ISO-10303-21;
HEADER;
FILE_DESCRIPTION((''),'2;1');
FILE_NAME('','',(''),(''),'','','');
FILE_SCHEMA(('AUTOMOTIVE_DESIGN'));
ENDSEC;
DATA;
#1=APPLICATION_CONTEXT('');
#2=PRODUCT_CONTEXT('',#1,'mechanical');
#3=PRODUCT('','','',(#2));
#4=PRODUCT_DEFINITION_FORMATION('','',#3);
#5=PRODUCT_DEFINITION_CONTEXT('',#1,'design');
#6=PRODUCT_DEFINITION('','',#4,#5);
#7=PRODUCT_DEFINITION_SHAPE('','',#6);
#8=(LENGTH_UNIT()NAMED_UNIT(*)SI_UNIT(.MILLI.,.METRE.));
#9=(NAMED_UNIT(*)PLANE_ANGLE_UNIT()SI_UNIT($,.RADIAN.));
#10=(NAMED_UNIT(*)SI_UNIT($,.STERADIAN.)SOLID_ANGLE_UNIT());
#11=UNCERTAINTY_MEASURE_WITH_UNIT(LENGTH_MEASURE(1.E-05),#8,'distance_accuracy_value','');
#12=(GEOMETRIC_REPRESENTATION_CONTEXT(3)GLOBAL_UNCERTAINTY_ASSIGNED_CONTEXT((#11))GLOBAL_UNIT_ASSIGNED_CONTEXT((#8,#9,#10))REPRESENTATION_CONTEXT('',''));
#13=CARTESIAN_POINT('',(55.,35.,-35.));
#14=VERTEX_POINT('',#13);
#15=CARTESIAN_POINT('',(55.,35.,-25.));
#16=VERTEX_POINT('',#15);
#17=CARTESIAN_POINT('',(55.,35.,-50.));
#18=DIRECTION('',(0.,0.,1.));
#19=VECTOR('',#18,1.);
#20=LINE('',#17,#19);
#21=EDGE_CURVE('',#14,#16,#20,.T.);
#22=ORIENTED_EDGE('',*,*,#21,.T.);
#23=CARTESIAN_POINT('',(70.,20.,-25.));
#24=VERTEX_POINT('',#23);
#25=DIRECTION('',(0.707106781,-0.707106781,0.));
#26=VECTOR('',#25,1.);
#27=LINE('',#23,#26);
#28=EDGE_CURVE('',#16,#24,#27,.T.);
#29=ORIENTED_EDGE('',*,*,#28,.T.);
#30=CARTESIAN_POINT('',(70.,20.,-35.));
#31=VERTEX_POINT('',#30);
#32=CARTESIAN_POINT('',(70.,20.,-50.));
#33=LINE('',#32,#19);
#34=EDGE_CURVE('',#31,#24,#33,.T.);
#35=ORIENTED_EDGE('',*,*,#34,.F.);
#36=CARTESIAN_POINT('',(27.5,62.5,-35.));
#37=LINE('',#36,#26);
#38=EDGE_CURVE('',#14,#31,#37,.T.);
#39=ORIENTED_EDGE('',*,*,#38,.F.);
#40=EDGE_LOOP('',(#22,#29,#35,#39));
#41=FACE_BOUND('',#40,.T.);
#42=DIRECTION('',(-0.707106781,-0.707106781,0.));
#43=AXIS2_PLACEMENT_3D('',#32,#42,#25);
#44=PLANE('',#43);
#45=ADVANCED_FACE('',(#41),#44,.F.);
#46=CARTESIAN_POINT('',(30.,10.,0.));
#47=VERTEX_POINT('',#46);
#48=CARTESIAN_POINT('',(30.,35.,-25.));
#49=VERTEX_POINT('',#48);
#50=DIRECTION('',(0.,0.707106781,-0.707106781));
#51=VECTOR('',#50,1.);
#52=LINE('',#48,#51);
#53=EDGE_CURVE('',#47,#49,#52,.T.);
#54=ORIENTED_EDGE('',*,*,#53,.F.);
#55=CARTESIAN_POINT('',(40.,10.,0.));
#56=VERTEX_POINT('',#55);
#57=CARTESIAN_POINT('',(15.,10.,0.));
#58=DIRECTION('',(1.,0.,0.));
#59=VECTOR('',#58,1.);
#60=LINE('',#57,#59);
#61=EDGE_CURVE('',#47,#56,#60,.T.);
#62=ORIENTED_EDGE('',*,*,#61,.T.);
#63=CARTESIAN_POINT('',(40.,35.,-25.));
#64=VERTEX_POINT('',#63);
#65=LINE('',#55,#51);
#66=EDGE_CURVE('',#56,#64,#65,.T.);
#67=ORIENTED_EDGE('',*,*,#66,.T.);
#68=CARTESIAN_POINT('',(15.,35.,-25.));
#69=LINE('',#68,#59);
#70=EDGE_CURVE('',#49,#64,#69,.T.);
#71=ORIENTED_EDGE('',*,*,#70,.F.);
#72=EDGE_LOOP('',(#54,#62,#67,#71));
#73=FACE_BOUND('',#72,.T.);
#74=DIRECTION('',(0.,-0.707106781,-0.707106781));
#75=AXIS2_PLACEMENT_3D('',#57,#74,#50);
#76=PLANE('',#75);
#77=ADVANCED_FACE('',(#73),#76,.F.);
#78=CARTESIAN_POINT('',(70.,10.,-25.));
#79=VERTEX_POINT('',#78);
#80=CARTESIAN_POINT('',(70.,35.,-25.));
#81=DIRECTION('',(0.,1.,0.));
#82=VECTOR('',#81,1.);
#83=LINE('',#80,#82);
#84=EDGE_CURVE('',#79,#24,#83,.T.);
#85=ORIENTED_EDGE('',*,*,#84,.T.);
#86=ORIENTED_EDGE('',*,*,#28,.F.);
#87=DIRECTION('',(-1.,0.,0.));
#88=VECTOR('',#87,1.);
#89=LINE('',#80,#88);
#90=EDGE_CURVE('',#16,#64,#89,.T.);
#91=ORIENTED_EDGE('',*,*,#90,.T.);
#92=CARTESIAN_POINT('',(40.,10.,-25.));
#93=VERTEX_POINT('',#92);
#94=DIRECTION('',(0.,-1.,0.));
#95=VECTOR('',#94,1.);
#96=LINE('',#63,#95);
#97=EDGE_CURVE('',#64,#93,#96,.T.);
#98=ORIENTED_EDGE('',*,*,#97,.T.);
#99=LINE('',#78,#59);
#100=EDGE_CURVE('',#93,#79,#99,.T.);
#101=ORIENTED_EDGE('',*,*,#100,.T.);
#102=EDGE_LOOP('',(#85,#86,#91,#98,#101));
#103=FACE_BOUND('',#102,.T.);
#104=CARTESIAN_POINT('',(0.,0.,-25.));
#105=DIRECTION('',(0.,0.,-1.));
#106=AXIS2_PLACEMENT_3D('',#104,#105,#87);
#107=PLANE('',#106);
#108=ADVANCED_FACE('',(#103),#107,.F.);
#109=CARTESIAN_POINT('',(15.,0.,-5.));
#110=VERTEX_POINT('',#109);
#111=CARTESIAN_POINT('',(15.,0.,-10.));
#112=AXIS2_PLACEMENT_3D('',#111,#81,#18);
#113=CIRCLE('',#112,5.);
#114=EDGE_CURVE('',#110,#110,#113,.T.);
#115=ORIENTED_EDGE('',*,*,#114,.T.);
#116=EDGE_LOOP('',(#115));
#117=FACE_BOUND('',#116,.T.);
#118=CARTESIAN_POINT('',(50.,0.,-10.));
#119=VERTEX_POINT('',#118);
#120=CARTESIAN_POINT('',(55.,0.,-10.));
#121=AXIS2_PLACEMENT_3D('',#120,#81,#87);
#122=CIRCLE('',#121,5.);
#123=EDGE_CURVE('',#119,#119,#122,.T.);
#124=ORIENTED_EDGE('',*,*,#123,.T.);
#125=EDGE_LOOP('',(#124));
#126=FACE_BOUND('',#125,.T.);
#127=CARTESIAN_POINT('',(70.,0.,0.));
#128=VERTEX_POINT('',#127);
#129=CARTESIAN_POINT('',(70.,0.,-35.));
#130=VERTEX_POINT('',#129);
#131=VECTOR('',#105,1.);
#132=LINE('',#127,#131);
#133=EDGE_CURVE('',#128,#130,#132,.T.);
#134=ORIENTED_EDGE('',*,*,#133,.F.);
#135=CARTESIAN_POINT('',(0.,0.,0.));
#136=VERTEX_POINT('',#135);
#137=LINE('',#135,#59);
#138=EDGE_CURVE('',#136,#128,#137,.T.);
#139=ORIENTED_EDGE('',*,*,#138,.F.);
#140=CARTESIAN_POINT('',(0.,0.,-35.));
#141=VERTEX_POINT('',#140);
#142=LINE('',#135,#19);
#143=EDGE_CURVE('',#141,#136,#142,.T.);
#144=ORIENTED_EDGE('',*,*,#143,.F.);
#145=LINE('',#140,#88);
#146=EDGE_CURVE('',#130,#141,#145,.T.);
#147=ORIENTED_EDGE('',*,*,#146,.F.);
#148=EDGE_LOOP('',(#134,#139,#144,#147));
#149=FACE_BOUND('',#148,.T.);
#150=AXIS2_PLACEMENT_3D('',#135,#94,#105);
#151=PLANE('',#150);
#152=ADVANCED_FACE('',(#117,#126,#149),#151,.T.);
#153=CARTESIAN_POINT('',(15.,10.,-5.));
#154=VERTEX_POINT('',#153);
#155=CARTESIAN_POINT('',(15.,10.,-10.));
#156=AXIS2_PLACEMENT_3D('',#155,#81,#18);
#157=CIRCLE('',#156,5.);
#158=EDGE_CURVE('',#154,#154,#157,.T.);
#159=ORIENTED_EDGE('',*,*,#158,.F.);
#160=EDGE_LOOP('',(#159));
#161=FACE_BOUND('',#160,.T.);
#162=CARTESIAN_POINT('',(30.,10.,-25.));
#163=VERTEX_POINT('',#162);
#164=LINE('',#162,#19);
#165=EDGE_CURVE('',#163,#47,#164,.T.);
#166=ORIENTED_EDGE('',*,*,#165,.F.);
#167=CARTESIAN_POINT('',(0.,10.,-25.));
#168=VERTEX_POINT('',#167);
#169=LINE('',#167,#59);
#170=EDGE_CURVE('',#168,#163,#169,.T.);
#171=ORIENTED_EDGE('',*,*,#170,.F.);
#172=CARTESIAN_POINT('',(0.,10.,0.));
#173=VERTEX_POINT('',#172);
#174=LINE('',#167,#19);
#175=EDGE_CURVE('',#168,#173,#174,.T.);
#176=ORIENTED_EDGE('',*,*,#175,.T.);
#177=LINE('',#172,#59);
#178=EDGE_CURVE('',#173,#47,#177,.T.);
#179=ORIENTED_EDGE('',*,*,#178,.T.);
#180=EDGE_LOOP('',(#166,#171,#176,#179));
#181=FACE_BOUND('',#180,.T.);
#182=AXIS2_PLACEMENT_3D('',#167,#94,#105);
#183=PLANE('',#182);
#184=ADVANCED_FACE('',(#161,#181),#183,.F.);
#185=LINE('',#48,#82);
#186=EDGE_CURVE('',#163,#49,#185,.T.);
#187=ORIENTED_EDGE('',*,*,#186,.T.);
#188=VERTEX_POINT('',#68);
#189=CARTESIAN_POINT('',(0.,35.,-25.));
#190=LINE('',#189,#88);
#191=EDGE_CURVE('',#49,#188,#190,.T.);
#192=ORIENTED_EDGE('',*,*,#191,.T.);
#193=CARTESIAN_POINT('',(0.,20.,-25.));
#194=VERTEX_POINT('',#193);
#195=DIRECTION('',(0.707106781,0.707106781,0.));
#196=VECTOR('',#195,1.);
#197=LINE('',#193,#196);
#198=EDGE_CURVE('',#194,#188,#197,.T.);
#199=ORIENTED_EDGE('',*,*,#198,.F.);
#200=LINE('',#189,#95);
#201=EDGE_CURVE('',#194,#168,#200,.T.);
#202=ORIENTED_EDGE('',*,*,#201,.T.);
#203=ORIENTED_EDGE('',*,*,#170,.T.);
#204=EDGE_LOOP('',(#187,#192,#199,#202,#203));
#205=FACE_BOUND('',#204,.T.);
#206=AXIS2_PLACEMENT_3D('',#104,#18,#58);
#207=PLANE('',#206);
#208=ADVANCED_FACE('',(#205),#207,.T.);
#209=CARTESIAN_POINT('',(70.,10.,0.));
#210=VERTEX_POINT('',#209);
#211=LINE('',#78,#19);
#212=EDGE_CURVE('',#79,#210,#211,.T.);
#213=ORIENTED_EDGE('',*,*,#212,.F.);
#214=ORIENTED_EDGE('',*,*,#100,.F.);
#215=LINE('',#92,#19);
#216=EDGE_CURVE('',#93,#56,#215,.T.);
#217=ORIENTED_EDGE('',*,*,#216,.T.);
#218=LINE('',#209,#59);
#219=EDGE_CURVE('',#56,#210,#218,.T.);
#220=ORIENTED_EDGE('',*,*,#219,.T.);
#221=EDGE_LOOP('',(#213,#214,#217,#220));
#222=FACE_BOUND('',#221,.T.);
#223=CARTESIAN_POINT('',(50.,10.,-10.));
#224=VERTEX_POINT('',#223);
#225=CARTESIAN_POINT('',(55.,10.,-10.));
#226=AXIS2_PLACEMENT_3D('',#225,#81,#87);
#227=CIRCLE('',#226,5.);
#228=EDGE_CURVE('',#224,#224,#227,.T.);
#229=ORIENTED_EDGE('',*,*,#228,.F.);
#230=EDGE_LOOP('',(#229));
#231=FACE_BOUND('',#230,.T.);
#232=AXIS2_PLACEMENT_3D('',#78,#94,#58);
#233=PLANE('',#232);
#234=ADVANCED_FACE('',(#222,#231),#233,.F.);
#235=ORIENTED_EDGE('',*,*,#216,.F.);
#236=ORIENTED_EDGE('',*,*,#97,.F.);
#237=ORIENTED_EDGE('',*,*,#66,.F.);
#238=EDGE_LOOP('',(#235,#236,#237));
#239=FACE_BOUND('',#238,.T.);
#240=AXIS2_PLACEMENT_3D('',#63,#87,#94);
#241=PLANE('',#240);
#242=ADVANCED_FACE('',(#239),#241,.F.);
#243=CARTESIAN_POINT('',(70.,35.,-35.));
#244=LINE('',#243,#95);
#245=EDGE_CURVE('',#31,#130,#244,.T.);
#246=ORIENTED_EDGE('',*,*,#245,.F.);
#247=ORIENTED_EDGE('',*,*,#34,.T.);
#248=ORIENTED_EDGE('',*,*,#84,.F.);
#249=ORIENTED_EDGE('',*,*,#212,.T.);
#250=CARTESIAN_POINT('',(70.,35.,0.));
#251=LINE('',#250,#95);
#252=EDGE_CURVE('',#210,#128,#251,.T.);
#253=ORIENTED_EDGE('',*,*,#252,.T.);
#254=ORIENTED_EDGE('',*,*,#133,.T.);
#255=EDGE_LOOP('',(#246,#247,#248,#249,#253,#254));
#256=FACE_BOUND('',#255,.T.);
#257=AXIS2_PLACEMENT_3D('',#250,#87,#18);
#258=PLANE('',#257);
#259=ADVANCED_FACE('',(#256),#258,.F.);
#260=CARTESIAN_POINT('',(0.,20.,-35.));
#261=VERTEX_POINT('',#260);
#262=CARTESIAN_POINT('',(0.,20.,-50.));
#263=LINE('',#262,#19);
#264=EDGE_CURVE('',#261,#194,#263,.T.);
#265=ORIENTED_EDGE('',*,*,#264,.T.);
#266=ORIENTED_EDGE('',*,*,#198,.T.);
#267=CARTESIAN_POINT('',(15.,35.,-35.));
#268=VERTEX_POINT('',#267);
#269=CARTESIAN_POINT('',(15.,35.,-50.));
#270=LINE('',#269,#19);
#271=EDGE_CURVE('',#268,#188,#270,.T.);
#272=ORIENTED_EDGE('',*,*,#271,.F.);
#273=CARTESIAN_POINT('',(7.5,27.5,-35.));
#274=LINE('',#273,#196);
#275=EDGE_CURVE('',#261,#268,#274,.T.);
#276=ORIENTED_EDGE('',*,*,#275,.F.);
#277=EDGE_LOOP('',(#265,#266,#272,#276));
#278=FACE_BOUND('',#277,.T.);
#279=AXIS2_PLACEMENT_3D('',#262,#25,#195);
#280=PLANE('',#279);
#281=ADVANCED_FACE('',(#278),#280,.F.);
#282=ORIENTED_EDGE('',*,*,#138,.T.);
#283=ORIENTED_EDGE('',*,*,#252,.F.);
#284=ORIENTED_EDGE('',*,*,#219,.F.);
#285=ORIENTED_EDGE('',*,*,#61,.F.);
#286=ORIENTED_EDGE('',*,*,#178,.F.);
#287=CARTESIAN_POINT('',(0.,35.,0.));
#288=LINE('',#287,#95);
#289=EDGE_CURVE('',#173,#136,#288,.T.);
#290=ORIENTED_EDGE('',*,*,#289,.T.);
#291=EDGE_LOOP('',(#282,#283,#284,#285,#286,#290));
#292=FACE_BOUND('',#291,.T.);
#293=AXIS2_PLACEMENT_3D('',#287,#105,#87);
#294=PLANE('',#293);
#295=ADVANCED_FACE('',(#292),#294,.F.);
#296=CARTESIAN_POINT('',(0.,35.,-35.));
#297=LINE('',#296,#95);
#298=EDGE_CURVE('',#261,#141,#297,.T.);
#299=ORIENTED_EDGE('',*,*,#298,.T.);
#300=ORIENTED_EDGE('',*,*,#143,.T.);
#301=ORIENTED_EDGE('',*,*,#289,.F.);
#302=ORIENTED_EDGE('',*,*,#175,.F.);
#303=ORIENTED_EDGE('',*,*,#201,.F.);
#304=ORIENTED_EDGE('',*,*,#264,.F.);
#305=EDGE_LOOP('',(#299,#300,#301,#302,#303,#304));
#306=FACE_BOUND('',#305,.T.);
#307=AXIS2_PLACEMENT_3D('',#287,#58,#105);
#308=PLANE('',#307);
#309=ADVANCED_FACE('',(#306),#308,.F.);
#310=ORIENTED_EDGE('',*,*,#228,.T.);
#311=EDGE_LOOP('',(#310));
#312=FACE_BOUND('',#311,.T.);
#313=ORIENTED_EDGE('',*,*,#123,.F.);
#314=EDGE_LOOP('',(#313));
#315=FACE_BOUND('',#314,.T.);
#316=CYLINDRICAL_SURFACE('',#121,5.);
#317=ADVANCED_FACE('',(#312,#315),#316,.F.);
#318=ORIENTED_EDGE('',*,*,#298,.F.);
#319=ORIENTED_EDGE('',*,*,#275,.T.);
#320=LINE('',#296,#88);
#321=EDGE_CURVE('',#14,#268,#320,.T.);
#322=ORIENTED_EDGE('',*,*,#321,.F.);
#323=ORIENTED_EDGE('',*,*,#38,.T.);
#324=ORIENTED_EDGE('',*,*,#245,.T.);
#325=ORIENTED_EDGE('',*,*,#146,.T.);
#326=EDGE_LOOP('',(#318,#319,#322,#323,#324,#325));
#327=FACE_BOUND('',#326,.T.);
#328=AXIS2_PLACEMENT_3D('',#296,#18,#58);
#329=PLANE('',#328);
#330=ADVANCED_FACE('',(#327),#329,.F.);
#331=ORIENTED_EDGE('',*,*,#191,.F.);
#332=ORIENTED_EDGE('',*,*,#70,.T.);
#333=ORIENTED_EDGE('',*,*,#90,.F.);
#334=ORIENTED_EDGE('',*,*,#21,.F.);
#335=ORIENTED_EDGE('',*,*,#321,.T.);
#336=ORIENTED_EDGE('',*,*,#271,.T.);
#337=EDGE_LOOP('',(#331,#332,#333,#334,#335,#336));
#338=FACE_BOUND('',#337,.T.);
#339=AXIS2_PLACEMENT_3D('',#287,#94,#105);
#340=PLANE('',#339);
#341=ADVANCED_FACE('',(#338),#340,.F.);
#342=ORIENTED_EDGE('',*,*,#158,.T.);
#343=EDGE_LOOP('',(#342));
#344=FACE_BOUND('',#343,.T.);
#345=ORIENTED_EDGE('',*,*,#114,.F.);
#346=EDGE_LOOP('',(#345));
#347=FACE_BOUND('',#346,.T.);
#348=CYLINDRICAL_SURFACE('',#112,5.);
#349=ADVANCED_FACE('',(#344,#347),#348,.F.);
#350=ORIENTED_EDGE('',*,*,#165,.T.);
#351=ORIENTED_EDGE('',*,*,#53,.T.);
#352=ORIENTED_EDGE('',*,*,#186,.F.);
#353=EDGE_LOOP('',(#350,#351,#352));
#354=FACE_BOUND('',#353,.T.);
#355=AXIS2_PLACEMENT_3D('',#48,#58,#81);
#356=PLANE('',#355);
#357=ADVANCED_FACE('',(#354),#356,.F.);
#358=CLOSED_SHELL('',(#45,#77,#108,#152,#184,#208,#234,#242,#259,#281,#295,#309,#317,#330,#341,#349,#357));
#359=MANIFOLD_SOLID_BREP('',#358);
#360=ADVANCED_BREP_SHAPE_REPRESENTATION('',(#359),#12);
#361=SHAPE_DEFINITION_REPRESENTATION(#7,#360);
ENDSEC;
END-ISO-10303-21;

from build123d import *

# Parameters (mm, degrees)
SKETCH2_W           = 70
SKETCH2_H           = 35
BOSS_EXTRUDE1_DEPTH = 35
SKETCH3_W           = 30
SKETCH3_H           = 25
CUT_EXTRUDE1_DEPTH  = 25
SKETCH4_W           = 30
SKETCH4_H           = 25
CUT_EXTRUDE2_DEPTH  = 25
CUT_EXTRUDE3_DEPTH  = 25
CUT_EXTRUDE4_DEPTH  = 25
CUT_EXTRUDE5_DEPTH  = 25
SKETCH8_R           = 5
CUT_EXTRUDE6_DEPTH  = 11
SKETCH9_R           = 5
CUT_EXTRUDE7_DEPTH  = 11


with BuildPart() as part:
    # Sketch2 → Boss-Extrude1 (new body)
    with BuildSketch(Plane(origin=(0, 0, 0), x_dir=(1, 0, 0), z_dir=(0, 1, 0))):
        with Locations((35, 17.5)):
            Rectangle(SKETCH2_W, SKETCH2_H)
    extrude(amount=BOSS_EXTRUDE1_DEPTH)

    # Sketch3 → Cut-Extrude1 (cut)
    with BuildSketch(Plane.XY):
        with Locations((55, 22.5)):
            Rectangle(SKETCH3_W, SKETCH3_H)
    extrude(amount=-CUT_EXTRUDE1_DEPTH, mode=Mode.SUBTRACT)

    # Sketch4 → Cut-Extrude2 (cut)
    with BuildSketch(Plane.XY):
        with Locations((15, 22.5)):
            Rectangle(SKETCH4_W, SKETCH4_H)
    extrude(amount=-CUT_EXTRUDE2_DEPTH, mode=Mode.SUBTRACT)

    # Sketch5 → Cut-Extrude3 (cut)
    with BuildSketch(Plane(origin=(40, 0, 0), x_dir=(0, 0, -1), z_dir=(1, 0, 0))):
        Polygon((0, 10), (25, 35), (0, 35), align=None)
    extrude(amount=-CUT_EXTRUDE3_DEPTH, mode=Mode.SUBTRACT)

    # Sketch6 → Cut-Extrude4 (cut)
    with BuildSketch(Plane.XY.offset(-25)):
        Polygon((70, 35), (70, 20), (55, 35), align=None)
    extrude(amount=-CUT_EXTRUDE4_DEPTH, mode=Mode.SUBTRACT)

    # Sketch7 → Cut-Extrude5 (cut)
    with BuildSketch(Plane.XY.offset(-25)):
        Polygon((0, 35), (0, 20), (15, 35), align=None)
    extrude(amount=-CUT_EXTRUDE5_DEPTH, mode=Mode.SUBTRACT)

    # Sketch8 → Cut-Extrude6 (cut, through all)
    with BuildSketch(Plane(origin=(0, 10, 0), x_dir=(1, 0, 0), z_dir=(0, 1, 0))):
        with Locations((55, 10)):
            Circle(SKETCH8_R)
    extrude(amount=-CUT_EXTRUDE6_DEPTH, mode=Mode.SUBTRACT)

    # Sketch9 → Cut-Extrude7 (cut, through all)
    with BuildSketch(Plane(origin=(0, 10, 0), x_dir=(1, 0, 0), z_dir=(0, 1, 0))):
        with Locations((15, 10)):
            Circle(SKETCH9_R)
    extrude(amount=-CUT_EXTRUDE7_DEPTH, mode=Mode.SUBTRACT)


solid = part.part
